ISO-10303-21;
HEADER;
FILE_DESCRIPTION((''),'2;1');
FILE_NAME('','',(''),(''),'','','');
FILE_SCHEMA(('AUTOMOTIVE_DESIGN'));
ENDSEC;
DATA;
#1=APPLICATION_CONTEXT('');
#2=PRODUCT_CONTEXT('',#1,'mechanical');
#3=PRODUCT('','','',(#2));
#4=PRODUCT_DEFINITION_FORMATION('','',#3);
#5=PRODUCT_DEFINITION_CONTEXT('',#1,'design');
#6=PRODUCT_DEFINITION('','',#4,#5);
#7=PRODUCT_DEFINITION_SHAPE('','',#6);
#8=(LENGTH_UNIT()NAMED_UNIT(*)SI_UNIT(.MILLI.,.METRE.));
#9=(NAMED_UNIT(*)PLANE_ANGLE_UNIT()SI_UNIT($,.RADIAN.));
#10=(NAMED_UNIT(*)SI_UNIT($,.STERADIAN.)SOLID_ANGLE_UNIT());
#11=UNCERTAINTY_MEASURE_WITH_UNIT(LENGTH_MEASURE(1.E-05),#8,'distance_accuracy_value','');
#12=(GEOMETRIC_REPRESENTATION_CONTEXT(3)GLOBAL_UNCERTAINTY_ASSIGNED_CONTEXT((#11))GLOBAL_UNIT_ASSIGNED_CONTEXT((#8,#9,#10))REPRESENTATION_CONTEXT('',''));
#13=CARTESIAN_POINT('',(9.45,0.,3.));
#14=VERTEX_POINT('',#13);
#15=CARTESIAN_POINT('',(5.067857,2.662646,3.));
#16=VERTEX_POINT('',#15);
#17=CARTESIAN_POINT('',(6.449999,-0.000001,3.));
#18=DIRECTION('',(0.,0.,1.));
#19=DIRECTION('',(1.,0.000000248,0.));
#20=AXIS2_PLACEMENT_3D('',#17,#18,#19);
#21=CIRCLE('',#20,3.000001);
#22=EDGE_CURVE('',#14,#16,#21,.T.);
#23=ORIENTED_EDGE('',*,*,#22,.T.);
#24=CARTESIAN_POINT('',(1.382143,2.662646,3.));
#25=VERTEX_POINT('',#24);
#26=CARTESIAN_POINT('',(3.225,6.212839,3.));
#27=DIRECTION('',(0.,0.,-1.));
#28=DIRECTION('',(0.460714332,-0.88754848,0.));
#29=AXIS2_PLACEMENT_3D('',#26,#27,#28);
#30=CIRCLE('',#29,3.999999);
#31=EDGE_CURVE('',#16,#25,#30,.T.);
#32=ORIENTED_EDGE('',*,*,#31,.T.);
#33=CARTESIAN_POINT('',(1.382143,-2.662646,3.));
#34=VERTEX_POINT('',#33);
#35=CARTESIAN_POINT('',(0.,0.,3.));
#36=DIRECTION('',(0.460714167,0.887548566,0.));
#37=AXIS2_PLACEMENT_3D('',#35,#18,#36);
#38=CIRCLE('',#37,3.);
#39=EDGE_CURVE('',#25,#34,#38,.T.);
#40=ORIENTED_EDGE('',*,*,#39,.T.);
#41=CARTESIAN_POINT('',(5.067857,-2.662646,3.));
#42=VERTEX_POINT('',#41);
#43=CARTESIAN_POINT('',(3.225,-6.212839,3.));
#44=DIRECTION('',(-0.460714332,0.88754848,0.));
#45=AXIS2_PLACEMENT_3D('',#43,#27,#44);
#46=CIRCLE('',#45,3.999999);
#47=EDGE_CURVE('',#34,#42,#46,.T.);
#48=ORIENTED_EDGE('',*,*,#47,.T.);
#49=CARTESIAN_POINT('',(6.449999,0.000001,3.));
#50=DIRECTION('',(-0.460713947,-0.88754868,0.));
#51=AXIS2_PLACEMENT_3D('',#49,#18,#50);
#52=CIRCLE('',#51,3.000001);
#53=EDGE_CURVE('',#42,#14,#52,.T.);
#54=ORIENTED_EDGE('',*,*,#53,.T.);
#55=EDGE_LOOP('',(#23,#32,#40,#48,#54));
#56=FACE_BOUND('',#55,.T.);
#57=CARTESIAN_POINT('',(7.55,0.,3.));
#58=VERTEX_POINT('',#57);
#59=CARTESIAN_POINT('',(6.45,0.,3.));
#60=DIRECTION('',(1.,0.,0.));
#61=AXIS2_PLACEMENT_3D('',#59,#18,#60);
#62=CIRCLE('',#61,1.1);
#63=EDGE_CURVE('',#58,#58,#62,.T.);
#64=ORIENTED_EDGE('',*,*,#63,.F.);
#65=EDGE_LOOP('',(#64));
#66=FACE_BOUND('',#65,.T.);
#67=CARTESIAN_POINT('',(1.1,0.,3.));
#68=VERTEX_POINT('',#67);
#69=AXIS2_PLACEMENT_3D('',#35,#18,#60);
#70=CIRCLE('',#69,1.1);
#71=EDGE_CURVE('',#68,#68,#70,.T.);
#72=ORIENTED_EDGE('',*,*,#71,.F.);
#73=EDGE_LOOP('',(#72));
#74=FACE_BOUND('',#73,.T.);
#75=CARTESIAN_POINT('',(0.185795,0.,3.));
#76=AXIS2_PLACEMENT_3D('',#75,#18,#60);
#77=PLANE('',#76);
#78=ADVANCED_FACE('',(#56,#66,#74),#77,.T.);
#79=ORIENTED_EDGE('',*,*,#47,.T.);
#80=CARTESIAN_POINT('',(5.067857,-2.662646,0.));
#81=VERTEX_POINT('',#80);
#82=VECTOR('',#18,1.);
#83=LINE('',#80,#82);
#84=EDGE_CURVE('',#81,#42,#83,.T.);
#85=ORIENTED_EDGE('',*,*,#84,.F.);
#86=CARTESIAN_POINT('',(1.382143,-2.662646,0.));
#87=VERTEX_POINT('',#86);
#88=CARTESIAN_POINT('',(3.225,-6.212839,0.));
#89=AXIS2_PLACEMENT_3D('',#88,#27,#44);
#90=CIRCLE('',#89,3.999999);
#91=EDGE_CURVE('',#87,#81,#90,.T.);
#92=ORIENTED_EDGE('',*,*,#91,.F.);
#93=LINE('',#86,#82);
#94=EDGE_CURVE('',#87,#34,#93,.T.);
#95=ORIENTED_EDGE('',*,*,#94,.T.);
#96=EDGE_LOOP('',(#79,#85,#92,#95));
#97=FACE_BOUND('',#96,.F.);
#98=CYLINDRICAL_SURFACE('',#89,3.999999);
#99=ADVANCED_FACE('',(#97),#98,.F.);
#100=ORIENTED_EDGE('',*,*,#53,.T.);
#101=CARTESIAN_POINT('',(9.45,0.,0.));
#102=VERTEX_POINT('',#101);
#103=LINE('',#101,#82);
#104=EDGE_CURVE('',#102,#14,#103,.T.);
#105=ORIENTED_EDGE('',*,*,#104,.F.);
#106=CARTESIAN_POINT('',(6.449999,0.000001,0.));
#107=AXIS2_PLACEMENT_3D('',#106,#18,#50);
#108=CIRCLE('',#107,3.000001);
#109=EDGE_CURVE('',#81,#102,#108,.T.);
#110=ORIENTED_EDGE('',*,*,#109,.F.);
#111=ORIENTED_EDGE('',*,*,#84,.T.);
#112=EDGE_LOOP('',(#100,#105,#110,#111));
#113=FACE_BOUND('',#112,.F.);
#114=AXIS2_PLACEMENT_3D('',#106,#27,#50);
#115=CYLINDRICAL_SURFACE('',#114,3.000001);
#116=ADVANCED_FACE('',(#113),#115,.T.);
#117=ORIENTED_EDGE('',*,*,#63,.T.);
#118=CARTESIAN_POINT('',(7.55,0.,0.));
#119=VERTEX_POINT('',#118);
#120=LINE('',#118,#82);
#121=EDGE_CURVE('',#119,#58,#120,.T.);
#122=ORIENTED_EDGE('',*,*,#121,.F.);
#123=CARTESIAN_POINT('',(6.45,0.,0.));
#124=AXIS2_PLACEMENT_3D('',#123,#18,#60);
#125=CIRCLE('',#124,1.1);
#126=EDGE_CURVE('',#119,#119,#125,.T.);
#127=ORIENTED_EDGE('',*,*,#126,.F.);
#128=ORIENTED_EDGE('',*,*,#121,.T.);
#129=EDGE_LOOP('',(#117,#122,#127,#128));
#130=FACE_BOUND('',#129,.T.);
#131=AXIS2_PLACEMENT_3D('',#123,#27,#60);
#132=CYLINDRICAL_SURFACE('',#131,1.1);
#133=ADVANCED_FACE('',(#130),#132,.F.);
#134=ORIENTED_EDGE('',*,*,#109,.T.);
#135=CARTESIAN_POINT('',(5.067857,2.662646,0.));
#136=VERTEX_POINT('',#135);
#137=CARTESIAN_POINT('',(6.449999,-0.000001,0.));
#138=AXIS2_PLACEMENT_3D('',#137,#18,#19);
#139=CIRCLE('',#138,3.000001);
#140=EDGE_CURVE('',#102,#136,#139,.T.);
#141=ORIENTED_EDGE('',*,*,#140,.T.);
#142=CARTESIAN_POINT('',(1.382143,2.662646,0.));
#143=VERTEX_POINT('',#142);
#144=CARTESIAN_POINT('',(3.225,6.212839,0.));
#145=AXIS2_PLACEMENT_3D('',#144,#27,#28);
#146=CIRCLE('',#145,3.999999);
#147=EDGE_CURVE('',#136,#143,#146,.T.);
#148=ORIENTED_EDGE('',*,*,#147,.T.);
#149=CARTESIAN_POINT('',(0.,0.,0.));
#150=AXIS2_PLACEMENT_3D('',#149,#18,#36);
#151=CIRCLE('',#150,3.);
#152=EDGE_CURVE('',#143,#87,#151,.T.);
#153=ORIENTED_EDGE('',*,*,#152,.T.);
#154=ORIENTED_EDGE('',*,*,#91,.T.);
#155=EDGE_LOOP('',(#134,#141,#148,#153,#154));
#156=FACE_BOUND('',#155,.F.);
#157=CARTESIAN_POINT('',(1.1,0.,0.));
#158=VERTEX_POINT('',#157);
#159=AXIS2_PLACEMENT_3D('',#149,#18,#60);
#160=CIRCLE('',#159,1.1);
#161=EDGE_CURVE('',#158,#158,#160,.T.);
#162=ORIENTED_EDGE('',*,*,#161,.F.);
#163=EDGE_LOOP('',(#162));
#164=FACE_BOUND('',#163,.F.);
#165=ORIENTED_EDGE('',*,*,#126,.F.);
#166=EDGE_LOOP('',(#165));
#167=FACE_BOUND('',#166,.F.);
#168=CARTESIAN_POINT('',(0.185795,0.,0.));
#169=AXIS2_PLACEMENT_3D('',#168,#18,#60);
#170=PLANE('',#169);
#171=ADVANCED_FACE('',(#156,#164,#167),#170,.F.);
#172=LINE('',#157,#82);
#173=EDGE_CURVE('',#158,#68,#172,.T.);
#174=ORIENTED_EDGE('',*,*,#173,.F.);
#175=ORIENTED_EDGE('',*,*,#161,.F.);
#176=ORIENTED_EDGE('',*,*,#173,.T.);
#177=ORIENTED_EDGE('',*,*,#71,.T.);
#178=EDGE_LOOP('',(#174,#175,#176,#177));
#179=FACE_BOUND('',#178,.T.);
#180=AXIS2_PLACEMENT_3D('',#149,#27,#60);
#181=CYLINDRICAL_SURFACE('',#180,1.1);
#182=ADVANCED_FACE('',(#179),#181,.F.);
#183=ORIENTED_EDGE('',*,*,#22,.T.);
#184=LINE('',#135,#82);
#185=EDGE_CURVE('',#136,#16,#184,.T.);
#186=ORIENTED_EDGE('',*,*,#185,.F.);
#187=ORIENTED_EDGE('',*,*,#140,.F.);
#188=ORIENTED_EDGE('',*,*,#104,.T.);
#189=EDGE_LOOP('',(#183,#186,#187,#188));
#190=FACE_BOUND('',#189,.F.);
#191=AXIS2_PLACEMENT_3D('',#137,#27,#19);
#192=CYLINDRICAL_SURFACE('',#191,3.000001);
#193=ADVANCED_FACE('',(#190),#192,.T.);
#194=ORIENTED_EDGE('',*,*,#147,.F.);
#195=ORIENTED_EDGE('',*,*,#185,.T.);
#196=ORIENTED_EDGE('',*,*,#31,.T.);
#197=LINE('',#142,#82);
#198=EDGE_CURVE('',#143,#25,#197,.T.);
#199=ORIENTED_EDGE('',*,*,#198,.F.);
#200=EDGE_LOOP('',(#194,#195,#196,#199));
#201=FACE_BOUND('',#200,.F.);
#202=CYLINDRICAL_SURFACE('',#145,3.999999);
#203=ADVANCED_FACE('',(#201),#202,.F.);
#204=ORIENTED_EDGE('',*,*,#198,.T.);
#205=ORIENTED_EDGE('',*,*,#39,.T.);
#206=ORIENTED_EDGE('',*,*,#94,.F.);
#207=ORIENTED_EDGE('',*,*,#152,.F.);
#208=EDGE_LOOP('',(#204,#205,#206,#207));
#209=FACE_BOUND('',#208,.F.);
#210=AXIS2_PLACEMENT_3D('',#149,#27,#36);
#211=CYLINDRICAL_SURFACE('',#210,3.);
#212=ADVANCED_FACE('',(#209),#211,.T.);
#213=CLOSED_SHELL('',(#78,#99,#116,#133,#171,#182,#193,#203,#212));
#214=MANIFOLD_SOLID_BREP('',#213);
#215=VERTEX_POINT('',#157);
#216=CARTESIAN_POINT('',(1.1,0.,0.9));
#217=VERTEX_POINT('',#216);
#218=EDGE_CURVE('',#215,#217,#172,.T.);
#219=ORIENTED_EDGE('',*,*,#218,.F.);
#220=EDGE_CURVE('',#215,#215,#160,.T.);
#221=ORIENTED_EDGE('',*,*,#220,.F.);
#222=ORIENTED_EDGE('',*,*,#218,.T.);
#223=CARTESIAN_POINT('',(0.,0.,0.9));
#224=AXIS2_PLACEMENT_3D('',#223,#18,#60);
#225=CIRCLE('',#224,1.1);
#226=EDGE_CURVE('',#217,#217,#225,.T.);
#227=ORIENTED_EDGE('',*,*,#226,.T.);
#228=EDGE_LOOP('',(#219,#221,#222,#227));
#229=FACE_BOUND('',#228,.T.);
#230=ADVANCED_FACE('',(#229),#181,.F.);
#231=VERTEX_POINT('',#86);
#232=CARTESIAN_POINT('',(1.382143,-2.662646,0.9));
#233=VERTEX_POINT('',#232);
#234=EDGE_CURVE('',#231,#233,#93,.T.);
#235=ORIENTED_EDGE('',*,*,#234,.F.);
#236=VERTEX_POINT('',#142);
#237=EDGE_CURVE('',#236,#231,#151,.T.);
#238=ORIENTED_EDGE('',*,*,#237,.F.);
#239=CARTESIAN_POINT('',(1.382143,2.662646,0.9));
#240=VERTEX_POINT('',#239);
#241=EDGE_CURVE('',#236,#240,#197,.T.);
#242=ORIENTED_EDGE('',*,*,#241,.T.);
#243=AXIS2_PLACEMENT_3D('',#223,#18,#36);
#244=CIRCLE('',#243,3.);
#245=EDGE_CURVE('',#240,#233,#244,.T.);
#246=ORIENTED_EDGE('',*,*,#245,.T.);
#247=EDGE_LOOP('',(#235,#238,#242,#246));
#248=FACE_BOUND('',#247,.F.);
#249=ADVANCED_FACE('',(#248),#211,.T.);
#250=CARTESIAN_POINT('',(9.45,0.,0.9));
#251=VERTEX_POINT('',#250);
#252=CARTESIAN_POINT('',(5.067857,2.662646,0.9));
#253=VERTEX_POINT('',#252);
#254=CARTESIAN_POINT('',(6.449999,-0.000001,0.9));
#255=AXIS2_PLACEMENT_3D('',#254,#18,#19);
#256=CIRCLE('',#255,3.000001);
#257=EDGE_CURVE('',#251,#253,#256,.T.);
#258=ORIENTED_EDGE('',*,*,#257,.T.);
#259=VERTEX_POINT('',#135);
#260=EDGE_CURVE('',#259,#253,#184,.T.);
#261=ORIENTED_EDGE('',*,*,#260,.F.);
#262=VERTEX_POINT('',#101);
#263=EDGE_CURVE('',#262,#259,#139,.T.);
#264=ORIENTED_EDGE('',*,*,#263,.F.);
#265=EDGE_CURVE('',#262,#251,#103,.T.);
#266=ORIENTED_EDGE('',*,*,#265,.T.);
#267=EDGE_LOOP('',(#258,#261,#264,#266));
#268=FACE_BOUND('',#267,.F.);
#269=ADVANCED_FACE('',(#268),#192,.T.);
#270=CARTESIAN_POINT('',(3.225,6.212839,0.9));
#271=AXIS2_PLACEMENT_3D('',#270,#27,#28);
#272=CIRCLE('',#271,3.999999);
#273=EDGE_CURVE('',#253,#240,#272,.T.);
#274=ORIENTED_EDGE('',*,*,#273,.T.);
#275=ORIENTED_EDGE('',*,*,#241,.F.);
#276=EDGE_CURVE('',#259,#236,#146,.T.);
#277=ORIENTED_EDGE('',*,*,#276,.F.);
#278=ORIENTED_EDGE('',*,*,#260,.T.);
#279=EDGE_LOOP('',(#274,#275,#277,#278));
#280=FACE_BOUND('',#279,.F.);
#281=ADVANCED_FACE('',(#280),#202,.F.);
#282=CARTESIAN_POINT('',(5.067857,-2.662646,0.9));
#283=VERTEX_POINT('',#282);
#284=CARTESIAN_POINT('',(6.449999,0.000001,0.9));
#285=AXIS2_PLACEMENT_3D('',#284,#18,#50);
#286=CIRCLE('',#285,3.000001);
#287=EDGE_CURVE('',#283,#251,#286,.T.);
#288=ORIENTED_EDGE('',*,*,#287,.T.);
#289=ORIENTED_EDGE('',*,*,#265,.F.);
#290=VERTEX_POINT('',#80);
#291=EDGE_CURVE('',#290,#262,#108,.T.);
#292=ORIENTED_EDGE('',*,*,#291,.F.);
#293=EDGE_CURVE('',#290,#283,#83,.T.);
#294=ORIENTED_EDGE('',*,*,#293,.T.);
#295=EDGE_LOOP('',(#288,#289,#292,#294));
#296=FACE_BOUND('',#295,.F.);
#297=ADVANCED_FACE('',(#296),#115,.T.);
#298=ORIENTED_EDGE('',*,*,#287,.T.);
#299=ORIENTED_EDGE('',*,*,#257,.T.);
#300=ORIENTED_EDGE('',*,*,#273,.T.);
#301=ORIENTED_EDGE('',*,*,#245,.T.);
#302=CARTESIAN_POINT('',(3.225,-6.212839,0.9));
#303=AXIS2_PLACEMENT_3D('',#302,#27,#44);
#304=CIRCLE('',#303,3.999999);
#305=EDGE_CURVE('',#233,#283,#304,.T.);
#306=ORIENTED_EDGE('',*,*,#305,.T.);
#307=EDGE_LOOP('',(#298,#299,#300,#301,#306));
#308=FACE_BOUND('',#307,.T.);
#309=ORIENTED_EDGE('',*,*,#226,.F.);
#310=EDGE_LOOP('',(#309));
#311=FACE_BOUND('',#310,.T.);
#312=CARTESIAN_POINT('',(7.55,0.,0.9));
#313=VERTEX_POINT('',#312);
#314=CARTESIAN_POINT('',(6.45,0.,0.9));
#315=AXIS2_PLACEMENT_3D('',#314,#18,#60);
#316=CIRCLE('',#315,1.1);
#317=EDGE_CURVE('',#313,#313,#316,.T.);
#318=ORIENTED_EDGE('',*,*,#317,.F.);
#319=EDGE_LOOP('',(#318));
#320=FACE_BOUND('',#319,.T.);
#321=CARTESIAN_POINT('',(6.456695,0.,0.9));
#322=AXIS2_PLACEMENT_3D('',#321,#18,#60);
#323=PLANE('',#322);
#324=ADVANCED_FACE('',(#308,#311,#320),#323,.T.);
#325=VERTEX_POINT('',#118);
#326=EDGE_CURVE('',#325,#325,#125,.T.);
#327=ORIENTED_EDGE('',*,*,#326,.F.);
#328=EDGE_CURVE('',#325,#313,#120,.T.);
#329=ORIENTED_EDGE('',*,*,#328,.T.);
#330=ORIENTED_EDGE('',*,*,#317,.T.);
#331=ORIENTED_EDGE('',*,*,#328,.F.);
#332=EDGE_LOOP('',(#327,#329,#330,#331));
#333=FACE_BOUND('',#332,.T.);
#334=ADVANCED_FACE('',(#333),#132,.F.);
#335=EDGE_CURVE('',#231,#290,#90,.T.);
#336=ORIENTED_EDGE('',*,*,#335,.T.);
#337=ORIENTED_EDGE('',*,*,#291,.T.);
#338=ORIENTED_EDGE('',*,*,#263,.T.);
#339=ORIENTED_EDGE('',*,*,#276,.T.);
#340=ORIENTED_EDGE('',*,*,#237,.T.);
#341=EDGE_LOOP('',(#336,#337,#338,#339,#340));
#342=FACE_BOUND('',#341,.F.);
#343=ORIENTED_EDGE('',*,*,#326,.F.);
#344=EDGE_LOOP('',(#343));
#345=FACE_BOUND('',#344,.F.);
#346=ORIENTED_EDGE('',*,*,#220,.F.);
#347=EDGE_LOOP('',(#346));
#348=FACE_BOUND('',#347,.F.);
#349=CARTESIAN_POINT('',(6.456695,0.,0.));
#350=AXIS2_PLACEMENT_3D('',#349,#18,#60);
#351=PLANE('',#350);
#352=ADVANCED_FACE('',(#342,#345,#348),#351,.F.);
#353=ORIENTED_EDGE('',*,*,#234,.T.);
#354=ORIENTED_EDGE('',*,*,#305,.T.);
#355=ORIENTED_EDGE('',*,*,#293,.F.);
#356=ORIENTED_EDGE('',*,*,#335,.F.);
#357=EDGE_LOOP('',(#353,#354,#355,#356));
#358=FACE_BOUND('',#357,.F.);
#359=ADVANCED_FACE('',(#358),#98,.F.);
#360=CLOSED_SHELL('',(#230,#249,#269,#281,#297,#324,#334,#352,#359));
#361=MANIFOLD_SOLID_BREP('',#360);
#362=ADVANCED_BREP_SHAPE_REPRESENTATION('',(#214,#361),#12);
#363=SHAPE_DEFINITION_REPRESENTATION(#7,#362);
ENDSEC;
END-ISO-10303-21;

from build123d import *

# Parameters (mm, degrees)
F0_R     = 1.1
F1_DEPTH = 0.9
F2_DEPTH = 3


with BuildPart() as f1:
    # F0 (on Top) → F1 (new body)
    with BuildSketch(Plane.XY):
        with BuildLine():
            ThreePointArc((9.45, 0), (8.007814, 2.563828), (5.067857, 2.662646))
            ThreePointArc((5.067857, 2.662646), (3.45, 0), (5.067857, -2.662646))
            ThreePointArc((5.067857, -2.662646), (8.007814, -2.563828), (9.45, 0))
        make_face()
        with Locations((6.45, 0)):
            Circle(F0_R, mode=Mode.SUBTRACT)
        with BuildLine():
            ThreePointArc((1.382143, -2.662646), (2.563828, -1.557814), (3, 0))
            ThreePointArc((3, 0), (2.563828, 1.557814), (1.382143, 2.662646))
            ThreePointArc((1.382143, 2.662646), (-3, 0), (1.382143, -2.662646))
        make_face()
        Circle(F0_R, mode=Mode.SUBTRACT)
        with BuildLine():
            ThreePointArc((1.382143, 2.662646), (2.563828, 1.557814), (3, 0))
            ThreePointArc((3, 0), (2.563828, -1.557814), (1.382143, -2.662646))
            ThreePointArc((1.382143, -2.662646), (3.225, -2.21284), (5.067857, -2.662646))
            ThreePointArc((5.067857, -2.662646), (3.45, 0), (5.067857, 2.662646))
            ThreePointArc((5.067857, 2.662646), (3.225, 2.21284), (1.382143, 2.662646))
        make_face()
    extrude(amount=F1_DEPTH)


with BuildPart() as f2:
    # F0 (on Top) → F2 (new body)
    with BuildSketch(Plane.XY):
        with BuildLine():
            ThreePointArc((1.382143, -2.662646), (2.563828, -1.557814), (3, 0))
            ThreePointArc((3, 0), (2.563828, 1.557814), (1.382143, 2.662646))
            ThreePointArc((1.382143, 2.662646), (-3, 0), (1.382143, -2.662646))
        make_face()
        Circle(F0_R, mode=Mode.SUBTRACT)
        with BuildLine():
            ThreePointArc((1.382143, 2.662646), (2.563828, 1.557814), (3, 0))
            ThreePointArc((3, 0), (2.563828, -1.557814), (1.382143, -2.662646))
            ThreePointArc((1.382143, -2.662646), (3.225, -2.21284), (5.067857, -2.662646))
            ThreePointArc((5.067857, -2.662646), (3.45, 0), (5.067857, 2.662646))
            ThreePointArc((5.067857, 2.662646), (3.225, 2.21284), (1.382143, 2.662646))
        make_face()
        with BuildLine():
            ThreePointArc((9.45, 0), (8.007814, 2.563828), (5.067857, 2.662646))
            ThreePointArc((5.067857, 2.662646), (3.45, 0), (5.067857, -2.662646))
            ThreePointArc((5.067857, -2.662646), (8.007814, -2.563828), (9.45, 0))
        make_face()
        with Locations((6.45, 0)):
            Circle(F0_R, mode=Mode.SUBTRACT)
    extrude(amount=F2_DEPTH)


solid = Compound([f1.part, f2.part])
